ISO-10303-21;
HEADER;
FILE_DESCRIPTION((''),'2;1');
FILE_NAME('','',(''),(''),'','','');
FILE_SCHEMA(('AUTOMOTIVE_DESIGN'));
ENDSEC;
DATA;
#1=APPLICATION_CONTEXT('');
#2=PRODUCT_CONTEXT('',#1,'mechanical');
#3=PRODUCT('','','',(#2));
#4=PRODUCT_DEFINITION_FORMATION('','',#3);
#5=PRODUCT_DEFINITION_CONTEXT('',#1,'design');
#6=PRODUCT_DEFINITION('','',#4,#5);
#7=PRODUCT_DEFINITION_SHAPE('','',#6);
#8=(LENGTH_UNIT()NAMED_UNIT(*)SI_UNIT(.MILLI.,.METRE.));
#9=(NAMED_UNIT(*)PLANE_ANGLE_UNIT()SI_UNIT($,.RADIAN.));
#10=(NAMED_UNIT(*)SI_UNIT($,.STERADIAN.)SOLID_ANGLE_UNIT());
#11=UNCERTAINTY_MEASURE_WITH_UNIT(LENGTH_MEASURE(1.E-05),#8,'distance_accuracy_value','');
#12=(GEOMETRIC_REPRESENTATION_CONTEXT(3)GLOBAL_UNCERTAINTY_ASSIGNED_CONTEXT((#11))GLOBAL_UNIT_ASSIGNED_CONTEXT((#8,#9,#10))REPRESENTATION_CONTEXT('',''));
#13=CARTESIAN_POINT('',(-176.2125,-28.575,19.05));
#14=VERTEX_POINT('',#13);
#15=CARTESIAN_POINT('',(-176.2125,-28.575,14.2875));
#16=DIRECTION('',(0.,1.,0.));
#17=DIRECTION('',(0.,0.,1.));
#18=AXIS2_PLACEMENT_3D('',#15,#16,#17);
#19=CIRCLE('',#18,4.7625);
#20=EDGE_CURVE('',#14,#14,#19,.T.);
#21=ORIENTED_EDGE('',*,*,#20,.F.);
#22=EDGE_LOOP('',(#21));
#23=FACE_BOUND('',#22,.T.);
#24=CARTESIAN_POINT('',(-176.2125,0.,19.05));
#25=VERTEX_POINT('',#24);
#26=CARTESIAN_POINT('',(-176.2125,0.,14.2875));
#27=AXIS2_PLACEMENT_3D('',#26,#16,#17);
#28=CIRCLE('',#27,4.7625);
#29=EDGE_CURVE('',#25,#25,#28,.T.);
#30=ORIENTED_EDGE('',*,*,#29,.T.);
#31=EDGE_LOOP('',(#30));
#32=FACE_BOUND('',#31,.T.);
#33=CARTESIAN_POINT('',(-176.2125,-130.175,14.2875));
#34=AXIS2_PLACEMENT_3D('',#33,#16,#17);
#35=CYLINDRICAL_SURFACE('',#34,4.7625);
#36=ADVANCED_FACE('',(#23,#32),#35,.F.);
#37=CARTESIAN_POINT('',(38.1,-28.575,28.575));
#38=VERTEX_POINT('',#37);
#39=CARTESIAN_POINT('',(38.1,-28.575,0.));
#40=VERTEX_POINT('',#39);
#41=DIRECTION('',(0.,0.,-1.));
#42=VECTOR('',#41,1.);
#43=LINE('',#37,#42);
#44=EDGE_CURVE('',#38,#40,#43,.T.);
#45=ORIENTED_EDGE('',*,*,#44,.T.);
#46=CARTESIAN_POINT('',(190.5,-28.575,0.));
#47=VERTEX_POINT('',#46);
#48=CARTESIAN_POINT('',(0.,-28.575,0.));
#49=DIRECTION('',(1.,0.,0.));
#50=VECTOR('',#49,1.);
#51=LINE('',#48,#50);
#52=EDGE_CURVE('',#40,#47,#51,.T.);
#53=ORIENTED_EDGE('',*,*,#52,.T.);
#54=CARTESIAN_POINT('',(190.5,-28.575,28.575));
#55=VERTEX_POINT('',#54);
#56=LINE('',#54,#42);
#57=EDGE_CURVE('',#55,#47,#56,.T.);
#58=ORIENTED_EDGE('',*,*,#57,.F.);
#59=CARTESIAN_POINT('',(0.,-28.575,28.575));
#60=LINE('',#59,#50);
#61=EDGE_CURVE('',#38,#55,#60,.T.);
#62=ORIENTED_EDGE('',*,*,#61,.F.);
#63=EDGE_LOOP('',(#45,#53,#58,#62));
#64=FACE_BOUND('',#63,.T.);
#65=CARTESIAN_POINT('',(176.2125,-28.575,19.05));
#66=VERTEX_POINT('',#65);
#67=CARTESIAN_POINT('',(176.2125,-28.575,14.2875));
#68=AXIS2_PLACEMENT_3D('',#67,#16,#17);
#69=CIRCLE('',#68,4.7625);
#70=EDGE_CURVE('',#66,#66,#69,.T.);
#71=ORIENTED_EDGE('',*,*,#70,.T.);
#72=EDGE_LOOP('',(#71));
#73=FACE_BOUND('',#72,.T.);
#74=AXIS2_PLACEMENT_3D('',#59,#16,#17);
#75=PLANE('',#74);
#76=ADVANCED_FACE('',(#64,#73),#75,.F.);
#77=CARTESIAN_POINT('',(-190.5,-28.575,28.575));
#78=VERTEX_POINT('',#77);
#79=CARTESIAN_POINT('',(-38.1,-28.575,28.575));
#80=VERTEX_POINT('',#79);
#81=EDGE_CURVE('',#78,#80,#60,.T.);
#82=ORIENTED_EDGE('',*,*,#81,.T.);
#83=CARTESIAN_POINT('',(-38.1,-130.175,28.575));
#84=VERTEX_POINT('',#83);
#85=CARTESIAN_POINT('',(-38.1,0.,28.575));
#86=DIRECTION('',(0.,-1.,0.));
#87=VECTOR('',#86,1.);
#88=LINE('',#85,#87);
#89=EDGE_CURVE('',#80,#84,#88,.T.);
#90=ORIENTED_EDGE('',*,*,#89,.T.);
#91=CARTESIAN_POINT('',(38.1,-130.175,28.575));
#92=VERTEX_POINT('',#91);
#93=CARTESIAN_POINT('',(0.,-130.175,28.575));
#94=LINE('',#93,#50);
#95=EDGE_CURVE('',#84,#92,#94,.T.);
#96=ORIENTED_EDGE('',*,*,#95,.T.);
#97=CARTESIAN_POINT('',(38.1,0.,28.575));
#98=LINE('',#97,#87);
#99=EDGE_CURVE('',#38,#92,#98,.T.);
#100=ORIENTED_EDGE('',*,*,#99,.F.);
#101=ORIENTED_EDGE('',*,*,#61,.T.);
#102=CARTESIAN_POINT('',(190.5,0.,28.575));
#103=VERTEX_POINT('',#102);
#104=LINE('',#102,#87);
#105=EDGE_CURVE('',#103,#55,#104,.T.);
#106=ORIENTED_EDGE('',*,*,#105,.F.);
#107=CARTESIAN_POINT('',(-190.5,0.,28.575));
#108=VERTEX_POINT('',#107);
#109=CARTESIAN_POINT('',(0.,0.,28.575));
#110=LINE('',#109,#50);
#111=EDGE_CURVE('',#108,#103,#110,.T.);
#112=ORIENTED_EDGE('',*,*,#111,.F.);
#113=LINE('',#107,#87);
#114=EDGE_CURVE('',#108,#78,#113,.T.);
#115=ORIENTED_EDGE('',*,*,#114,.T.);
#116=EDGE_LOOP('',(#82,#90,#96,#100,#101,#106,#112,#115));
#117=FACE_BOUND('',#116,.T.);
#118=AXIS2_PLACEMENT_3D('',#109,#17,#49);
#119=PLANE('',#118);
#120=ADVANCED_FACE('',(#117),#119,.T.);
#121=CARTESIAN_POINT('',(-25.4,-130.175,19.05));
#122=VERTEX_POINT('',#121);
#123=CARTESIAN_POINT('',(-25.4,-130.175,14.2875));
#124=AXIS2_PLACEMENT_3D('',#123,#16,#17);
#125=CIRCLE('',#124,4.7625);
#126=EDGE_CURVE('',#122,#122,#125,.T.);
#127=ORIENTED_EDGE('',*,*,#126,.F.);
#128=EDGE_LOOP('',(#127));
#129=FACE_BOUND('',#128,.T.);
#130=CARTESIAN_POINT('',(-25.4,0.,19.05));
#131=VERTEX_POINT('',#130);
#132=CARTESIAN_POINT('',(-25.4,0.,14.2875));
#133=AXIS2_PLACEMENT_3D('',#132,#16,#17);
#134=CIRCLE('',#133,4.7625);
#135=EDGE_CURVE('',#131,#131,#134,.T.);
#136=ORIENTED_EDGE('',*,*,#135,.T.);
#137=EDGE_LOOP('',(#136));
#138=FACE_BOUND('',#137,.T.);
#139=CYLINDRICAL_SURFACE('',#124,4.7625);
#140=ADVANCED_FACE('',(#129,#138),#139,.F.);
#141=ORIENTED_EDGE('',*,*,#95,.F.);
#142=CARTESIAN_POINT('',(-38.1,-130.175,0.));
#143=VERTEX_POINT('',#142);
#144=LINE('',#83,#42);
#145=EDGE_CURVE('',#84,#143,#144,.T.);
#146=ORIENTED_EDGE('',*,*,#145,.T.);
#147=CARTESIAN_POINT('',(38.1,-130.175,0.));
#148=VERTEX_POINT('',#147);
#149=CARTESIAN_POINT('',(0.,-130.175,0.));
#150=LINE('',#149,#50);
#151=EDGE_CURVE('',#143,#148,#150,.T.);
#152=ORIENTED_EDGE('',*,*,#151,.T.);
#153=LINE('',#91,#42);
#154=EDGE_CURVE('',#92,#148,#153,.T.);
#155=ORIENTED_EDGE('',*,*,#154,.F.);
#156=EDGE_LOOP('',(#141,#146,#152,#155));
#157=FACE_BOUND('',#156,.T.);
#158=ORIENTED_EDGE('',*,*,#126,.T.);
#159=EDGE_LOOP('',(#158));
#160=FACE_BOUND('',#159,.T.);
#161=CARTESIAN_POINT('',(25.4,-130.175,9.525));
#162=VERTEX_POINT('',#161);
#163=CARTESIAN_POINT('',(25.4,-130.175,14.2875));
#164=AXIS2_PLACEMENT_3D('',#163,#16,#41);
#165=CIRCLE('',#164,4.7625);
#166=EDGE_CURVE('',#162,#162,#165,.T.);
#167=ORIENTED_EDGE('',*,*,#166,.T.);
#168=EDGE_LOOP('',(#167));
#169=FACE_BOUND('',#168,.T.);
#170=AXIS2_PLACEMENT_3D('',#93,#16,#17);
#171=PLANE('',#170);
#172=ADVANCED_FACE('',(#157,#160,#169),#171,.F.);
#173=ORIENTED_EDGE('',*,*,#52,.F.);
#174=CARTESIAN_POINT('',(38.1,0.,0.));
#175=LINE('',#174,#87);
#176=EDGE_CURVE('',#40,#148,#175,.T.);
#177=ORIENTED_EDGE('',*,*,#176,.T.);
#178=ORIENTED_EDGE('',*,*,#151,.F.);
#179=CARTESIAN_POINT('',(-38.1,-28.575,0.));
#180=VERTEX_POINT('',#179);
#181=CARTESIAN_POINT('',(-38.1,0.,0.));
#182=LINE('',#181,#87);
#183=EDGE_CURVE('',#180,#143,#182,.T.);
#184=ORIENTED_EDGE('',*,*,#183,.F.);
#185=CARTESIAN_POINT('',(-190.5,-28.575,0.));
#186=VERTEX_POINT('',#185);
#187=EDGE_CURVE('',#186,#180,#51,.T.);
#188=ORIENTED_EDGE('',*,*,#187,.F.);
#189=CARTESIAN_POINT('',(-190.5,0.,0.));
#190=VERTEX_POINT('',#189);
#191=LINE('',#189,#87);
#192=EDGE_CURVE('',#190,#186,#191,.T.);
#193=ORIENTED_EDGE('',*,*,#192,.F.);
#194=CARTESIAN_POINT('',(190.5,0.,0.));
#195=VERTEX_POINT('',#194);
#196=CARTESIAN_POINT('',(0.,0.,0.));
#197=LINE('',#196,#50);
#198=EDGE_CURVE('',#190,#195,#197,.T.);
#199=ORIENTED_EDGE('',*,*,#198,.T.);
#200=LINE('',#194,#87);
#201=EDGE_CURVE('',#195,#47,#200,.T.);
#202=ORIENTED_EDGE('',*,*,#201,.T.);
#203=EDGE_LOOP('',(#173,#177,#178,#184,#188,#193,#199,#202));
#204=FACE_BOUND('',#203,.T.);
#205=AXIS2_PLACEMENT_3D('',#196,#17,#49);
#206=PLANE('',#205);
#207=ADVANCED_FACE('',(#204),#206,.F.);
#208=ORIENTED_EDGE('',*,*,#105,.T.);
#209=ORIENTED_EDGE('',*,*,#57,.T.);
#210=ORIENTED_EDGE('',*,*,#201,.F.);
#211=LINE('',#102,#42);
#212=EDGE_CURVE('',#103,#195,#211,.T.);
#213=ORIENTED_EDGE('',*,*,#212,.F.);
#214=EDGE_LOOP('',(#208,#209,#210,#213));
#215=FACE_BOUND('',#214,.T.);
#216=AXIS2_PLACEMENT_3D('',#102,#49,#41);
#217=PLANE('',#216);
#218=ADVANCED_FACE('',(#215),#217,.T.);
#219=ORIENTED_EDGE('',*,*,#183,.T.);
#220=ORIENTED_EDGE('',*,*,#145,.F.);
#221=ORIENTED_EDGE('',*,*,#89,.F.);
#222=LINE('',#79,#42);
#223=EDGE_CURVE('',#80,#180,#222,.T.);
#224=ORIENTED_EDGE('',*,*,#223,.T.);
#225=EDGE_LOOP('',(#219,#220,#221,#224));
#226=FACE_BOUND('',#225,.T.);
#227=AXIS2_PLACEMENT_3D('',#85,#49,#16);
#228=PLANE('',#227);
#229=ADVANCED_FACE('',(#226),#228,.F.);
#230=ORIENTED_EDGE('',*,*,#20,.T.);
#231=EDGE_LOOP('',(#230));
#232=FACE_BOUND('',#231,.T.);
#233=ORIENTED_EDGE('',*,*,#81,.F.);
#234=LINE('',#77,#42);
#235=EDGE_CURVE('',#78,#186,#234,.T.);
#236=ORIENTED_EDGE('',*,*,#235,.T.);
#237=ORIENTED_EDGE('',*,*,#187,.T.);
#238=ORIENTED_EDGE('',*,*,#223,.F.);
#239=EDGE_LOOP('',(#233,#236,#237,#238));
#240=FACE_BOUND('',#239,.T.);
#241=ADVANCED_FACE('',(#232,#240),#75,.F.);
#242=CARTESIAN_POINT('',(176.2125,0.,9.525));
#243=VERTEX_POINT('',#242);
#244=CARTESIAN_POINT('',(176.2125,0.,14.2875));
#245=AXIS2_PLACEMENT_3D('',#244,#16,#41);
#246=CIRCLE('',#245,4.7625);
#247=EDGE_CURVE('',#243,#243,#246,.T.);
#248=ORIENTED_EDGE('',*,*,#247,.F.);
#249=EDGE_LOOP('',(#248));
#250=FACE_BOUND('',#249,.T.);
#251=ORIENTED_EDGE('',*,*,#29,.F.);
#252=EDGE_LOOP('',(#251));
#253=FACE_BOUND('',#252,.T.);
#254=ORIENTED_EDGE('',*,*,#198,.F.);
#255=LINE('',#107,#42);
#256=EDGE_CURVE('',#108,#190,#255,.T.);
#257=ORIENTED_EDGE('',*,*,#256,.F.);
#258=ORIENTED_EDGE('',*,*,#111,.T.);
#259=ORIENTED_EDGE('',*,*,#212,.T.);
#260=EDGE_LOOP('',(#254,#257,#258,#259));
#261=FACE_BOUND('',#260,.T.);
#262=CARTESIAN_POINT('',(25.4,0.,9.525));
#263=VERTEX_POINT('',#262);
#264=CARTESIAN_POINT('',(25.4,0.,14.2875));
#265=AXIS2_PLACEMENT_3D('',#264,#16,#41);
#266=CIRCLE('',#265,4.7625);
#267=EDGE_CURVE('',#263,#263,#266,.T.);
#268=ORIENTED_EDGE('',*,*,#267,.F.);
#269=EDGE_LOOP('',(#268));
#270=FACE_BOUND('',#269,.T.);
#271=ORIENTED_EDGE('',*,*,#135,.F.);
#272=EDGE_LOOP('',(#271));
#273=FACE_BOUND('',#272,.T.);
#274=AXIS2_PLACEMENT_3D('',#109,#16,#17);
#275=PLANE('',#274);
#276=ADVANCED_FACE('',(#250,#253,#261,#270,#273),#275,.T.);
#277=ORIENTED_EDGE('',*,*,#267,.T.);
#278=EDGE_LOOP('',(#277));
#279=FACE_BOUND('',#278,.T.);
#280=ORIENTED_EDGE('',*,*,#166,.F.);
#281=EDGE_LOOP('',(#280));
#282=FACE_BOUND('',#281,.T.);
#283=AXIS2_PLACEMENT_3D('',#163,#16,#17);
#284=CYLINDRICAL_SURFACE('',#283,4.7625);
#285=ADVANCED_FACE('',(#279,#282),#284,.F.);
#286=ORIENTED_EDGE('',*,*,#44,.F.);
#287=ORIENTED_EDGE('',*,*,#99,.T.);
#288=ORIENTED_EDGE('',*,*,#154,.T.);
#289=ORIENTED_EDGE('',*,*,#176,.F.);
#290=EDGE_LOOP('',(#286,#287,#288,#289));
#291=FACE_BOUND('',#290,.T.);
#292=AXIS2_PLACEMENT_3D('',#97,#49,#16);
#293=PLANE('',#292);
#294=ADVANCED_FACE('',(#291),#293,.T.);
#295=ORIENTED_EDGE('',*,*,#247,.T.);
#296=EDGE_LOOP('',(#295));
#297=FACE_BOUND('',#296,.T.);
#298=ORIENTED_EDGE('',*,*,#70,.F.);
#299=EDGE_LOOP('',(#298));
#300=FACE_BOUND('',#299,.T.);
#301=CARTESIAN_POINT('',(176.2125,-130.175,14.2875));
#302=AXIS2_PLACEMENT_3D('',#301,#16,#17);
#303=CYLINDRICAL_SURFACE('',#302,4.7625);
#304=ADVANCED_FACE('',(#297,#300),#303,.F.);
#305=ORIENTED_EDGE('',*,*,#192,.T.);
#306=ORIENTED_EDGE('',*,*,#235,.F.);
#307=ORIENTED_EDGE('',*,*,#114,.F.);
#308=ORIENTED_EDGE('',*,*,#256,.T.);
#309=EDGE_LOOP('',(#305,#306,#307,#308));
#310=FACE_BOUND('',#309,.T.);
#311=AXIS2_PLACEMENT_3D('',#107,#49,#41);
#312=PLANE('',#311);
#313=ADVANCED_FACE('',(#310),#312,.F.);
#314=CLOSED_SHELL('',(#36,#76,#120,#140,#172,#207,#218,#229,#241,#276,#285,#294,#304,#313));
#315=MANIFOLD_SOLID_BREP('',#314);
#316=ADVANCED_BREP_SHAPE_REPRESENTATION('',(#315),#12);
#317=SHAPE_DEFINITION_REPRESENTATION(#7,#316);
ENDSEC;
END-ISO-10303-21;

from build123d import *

# Parameters (mm, degrees)
SKETCH1_W           = 381
SKETCH1_H           = 28.575
SKETCH1_W_2         = 76.2
SKETCH1_H_2         = 101.6
BOSS_EXTRUDE1_DEPTH = 28.575
SKETCH2_R           = 4.7625
CUT_EXTRUDE1_DEPTH  = 233.491529416


with BuildPart() as part:
    # Sketch1 → Boss-Extrude1 (new body)
    with BuildSketch(Plane.XY):
        with Locations((0, -14.2875)):
            Rectangle(SKETCH1_W, SKETCH1_H)
        with Locations((0, -79.375)):
            Rectangle(SKETCH1_W_2, SKETCH1_H_2)
    extrude(amount=BOSS_EXTRUDE1_DEPTH)

    # Sketch2 → Cut-Extrude1 (cut, through all)
    with BuildSketch(Plane(origin=(0, 0, 0), x_dir=(1, 0, 0), z_dir=(0, 1, 0))):
        with Locations(Location((-176.2125, -14.2875, 0), (0, 0, 270))):
            Circle(SKETCH2_R)
        with Locations(Location((-25.4, -14.2875, 0), (0, 0, 270))):
            Circle(SKETCH2_R)
        with Locations(Location((25.4, -14.2875, 0), (0, 0, 90))):
            Circle(SKETCH2_R)
        with Locations(Location((176.2125, -14.2875, 0), (0, 0, 270))):
            Circle(SKETCH2_R)
    extrude(amount=-CUT_EXTRUDE1_DEPTH, mode=Mode.SUBTRACT)


solid = part.part
